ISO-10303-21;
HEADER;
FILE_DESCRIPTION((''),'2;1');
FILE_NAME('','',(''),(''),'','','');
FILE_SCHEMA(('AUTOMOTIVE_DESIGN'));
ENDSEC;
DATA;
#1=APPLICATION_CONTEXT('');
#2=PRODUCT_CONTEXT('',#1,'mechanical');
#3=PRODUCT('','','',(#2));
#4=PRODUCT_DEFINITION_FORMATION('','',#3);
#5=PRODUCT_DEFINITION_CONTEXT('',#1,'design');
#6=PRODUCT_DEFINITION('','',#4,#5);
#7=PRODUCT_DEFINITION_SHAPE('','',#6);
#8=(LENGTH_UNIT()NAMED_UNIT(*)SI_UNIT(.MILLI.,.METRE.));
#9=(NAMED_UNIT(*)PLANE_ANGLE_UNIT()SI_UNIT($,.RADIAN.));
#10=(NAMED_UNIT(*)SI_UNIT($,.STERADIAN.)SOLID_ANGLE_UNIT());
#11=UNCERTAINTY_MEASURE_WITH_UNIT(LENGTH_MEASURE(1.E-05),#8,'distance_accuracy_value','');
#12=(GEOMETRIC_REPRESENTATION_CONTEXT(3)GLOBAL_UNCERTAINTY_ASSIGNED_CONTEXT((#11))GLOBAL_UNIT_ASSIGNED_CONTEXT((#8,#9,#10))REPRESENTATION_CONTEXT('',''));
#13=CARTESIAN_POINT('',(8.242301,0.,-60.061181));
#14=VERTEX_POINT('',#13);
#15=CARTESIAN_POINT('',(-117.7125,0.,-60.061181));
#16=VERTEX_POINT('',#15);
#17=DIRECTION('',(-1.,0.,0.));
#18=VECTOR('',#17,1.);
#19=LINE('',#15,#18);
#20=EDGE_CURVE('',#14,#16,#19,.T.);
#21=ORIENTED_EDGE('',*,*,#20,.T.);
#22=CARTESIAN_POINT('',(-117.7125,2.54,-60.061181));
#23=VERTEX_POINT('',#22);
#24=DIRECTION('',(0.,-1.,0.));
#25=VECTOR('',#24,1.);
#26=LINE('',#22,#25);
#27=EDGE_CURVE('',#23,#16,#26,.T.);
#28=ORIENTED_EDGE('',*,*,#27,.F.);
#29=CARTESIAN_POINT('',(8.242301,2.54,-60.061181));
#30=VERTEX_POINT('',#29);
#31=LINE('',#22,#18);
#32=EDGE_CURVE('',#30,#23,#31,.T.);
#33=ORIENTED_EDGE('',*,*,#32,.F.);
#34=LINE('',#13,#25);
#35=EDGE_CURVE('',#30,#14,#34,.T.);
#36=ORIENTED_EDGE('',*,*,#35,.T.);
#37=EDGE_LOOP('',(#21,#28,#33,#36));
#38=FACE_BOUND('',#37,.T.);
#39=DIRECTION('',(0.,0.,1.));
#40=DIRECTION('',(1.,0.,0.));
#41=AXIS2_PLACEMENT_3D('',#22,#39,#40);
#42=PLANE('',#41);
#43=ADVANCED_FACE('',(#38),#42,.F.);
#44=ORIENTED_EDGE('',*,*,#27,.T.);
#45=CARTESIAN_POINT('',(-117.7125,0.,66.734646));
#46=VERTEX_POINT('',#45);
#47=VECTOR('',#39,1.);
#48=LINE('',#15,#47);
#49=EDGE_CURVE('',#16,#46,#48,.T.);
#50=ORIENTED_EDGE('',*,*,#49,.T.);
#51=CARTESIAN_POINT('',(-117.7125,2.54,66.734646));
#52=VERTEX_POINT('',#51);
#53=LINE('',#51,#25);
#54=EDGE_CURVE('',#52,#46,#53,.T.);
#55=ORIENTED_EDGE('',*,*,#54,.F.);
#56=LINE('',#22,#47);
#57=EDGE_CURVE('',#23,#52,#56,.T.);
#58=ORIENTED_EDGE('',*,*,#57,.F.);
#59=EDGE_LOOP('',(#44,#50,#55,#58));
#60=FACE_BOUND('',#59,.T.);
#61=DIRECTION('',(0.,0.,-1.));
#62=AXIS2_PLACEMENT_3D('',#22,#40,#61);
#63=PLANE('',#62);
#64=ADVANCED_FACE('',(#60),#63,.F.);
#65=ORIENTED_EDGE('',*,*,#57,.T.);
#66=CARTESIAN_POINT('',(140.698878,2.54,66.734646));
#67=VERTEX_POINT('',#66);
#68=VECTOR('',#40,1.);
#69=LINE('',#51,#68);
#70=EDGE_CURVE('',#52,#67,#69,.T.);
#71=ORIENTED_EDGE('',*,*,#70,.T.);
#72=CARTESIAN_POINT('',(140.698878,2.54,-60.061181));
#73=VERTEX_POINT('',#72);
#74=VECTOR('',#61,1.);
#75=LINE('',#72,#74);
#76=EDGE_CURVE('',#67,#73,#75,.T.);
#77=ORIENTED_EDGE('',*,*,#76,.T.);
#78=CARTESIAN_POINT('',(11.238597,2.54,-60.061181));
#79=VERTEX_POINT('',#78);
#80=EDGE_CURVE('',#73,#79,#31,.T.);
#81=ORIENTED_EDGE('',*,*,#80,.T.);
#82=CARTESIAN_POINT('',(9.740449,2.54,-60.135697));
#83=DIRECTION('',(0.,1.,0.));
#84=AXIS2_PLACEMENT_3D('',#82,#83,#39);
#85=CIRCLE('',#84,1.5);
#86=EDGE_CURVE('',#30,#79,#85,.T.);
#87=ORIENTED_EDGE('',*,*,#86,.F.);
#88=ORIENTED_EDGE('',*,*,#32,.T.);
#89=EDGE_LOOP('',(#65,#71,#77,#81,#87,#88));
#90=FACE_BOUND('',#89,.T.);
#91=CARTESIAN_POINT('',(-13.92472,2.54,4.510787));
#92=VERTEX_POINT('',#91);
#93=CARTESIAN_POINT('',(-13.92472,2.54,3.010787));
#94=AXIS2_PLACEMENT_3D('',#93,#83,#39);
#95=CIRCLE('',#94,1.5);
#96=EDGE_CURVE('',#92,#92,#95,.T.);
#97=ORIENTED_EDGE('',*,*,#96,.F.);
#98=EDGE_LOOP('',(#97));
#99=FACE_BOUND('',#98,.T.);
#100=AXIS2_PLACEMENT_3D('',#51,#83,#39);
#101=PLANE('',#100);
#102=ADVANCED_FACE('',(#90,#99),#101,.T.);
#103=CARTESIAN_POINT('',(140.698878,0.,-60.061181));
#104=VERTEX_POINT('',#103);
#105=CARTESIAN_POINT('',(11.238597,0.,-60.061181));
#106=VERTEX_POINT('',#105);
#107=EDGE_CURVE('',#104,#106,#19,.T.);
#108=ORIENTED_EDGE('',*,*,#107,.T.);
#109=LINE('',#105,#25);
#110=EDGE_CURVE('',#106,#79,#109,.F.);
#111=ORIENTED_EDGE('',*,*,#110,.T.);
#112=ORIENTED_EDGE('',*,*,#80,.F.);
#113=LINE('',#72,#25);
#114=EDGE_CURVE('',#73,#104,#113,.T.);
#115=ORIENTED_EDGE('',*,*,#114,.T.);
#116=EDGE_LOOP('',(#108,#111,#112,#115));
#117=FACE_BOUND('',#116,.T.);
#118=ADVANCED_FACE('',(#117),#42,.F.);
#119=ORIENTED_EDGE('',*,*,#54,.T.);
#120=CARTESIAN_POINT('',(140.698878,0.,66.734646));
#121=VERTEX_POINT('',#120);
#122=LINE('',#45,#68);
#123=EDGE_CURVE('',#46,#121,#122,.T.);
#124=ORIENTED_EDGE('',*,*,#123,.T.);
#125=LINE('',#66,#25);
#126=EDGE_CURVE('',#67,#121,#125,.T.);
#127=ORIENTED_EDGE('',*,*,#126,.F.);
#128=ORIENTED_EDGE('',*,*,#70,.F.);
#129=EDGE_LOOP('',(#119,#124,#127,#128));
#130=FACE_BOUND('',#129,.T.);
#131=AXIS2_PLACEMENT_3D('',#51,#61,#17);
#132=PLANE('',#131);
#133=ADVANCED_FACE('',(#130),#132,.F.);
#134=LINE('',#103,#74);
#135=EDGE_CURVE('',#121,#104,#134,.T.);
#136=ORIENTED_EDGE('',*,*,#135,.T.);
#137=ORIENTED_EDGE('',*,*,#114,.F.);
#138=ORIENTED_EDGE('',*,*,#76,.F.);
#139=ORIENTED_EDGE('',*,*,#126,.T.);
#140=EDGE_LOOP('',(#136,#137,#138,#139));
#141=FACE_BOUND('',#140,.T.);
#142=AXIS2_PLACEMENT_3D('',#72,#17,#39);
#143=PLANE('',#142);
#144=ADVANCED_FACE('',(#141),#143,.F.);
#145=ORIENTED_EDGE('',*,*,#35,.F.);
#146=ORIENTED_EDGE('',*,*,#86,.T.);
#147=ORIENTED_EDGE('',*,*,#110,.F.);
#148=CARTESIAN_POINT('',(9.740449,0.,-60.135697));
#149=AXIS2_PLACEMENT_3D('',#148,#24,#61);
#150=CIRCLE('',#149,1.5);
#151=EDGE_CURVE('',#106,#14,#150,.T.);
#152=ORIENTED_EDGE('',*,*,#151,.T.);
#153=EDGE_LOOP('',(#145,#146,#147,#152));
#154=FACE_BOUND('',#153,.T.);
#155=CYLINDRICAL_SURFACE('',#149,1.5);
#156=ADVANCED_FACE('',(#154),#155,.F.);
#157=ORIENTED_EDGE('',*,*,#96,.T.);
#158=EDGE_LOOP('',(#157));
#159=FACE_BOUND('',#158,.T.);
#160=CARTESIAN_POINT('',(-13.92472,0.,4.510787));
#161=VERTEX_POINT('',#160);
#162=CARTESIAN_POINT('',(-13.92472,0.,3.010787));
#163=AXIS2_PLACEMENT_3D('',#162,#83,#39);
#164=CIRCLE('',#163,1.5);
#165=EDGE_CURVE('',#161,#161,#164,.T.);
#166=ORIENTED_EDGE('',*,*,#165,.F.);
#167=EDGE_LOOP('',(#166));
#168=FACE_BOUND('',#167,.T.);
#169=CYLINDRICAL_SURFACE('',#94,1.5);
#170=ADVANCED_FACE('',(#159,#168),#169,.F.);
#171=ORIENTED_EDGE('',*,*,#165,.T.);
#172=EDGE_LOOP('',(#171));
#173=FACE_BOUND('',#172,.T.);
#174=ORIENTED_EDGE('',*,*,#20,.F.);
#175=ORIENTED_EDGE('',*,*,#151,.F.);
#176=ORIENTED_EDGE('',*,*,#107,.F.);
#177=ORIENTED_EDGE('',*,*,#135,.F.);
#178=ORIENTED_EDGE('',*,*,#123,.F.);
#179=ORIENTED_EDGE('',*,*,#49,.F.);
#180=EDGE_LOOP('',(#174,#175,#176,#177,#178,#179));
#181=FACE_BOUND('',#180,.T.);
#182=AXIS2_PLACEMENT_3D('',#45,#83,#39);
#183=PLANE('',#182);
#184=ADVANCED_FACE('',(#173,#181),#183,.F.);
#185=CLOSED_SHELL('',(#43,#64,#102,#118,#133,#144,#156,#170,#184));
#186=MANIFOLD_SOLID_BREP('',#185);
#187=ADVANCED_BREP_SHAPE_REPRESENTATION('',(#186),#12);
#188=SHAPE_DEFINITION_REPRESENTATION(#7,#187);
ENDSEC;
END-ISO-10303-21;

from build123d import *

# Parameters (mm, degrees)
SKETCH1_W                    = 258.4113781
SKETCH1_H                    = 126.795826844
BOSS_EXTRUDE1_DEPTH          = 2.54
F_3_0_3_DIAMETER_HOLE1_D     = 3
F_3_0_3_DIAMETER_HOLE1_DEPTH = 25.4
F_3_0_3_DIAMETER_HOLE1_TIP   = 0.901290929
F_3_0_3_DIAMETER_HOLE2_D     = 3
F_3_0_3_DIAMETER_HOLE2_DEPTH = 25.4
F_3_0_3_DIAMETER_HOLE2_TIP   = 0.901290929


with BuildPart() as part:
    # Sketch1 → Boss-Extrude1 (new body)
    with BuildSketch(Plane(origin=(0, 0, 0), x_dir=(1, 0, 0), z_dir=(0, 1, 0))):
        with Locations((11.493188983, -3.336732285)):
            Rectangle(SKETCH1_W, SKETCH1_H)
    extrude(amount=BOSS_EXTRUDE1_DEPTH)

    # Ø3.0 (3) Diameter Hole1
    with Locations(Plane(origin=(0, 2.54, 0), x_dir=(-1, 0, 0), z_dir=(0, 1, 0))):
        with Locations((13.924720288, 3.010786642)):
            Hole(F_3_0_3_DIAMETER_HOLE1_D / 2, depth=F_3_0_3_DIAMETER_HOLE1_DEPTH)
            with Locations((0, 0, -(F_3_0_3_DIAMETER_HOLE1_DEPTH + F_3_0_3_DIAMETER_HOLE1_TIP / 2))):  # 118° drill point
                Cone(0, F_3_0_3_DIAMETER_HOLE1_D / 2, F_3_0_3_DIAMETER_HOLE1_TIP, mode=Mode.SUBTRACT)

    # Ø3.0 (3) Diameter Hole2
    with Locations(Plane.XZ):
        with Locations((9.740449038, -60.135696584)):
            Hole(F_3_0_3_DIAMETER_HOLE2_D / 2, depth=F_3_0_3_DIAMETER_HOLE2_DEPTH)
            with Locations((0, 0, -(F_3_0_3_DIAMETER_HOLE2_DEPTH + F_3_0_3_DIAMETER_HOLE2_TIP / 2))):  # 118° drill point
                Cone(0, F_3_0_3_DIAMETER_HOLE2_D / 2, F_3_0_3_DIAMETER_HOLE2_TIP, mode=Mode.SUBTRACT)


solid = part.part
